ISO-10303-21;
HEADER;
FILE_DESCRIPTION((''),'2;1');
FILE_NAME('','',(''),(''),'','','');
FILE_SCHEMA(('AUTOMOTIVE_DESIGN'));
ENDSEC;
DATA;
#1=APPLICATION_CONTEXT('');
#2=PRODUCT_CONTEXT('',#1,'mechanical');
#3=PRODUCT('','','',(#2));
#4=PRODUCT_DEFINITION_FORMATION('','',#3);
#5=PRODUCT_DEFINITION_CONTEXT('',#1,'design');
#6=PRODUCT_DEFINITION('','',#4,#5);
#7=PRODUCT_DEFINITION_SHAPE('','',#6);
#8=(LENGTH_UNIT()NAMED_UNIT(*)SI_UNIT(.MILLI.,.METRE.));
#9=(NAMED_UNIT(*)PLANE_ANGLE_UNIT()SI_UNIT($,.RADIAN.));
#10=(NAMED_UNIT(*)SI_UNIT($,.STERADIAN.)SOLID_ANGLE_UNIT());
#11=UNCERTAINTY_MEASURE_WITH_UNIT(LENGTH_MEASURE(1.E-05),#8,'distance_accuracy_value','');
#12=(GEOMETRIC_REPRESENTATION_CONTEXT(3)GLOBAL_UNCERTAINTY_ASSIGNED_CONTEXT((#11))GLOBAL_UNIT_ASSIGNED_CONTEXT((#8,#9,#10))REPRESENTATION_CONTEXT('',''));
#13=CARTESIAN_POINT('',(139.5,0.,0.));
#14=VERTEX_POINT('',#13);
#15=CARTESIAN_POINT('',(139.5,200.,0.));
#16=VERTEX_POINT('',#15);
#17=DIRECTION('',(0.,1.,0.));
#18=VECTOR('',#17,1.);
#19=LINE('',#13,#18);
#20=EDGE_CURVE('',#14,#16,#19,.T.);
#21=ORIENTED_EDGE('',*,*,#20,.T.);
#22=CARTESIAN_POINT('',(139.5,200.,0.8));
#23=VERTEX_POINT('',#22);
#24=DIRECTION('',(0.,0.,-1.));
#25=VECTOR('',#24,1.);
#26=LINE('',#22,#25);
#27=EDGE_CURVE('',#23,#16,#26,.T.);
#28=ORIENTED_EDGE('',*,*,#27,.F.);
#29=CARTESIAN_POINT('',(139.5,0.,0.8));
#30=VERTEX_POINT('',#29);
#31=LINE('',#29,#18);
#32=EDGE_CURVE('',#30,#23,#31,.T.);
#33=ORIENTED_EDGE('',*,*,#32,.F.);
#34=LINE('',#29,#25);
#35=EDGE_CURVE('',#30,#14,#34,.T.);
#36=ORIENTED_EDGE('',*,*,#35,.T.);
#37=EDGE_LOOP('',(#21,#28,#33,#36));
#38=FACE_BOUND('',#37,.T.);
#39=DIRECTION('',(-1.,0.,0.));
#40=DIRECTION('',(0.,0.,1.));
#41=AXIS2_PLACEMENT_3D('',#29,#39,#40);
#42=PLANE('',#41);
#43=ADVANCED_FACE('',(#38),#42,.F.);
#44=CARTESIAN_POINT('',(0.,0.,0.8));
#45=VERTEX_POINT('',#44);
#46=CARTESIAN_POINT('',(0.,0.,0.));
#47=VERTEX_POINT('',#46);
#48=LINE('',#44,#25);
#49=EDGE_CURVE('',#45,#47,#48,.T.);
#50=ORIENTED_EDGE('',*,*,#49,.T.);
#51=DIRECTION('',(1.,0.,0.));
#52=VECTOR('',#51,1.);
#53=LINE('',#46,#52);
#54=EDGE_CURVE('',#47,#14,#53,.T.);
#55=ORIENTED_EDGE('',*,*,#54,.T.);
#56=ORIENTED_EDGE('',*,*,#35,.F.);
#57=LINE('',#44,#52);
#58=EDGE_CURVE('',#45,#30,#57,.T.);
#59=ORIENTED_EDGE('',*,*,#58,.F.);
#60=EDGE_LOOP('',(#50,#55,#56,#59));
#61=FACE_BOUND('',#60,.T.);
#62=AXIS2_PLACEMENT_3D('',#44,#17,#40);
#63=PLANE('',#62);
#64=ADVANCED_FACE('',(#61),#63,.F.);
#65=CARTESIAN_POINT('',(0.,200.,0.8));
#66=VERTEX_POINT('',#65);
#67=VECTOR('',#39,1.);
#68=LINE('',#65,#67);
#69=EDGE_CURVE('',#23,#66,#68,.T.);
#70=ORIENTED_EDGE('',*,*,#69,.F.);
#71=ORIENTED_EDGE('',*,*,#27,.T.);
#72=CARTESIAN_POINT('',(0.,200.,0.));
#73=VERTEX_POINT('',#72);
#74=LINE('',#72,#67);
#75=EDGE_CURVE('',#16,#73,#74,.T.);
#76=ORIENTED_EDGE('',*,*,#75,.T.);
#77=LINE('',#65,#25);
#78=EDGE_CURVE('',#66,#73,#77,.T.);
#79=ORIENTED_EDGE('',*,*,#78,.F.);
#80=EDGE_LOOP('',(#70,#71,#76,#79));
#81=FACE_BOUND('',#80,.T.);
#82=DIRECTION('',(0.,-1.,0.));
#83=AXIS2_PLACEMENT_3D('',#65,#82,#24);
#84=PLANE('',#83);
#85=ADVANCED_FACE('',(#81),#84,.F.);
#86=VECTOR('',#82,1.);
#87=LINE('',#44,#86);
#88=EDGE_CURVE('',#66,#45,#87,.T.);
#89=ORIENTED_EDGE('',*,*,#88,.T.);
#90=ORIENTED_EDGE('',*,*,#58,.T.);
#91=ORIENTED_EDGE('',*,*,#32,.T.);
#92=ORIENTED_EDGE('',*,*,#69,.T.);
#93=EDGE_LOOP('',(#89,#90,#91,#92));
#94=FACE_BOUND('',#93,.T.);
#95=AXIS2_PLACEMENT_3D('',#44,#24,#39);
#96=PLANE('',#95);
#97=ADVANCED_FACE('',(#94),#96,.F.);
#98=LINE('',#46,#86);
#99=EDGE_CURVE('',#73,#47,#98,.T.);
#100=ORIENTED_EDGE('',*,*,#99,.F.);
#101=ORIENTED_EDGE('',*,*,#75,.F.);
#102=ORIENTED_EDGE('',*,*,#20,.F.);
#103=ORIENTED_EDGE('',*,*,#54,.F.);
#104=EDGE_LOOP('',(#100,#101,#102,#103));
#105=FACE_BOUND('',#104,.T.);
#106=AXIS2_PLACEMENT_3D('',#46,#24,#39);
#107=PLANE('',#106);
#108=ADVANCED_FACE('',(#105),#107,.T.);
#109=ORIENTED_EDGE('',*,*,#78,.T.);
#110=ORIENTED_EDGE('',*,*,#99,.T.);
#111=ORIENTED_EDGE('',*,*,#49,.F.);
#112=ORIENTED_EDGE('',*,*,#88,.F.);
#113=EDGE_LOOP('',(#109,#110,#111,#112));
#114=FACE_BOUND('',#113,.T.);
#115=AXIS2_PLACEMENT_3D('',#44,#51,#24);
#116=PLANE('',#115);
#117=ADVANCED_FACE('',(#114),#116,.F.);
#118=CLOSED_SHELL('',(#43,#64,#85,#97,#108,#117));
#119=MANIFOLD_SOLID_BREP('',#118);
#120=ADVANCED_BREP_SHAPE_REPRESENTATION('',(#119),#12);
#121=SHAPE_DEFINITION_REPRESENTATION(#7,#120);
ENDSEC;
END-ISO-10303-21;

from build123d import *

# Parameters (mm, degrees)
ESQUISSE1_W        = 139.5
ESQUISSE1_H        = 200
BOSS_EXTRU_1_DEPTH = 0.8


with BuildPart() as part:
    # Esquisse1 → Boss.-Extru.1 (new body)
    with BuildSketch(Plane.XY):
        with Locations((69.75, 100)):
            Rectangle(ESQUISSE1_W, ESQUISSE1_H)
    extrude(amount=BOSS_EXTRU_1_DEPTH)


solid = part.part
